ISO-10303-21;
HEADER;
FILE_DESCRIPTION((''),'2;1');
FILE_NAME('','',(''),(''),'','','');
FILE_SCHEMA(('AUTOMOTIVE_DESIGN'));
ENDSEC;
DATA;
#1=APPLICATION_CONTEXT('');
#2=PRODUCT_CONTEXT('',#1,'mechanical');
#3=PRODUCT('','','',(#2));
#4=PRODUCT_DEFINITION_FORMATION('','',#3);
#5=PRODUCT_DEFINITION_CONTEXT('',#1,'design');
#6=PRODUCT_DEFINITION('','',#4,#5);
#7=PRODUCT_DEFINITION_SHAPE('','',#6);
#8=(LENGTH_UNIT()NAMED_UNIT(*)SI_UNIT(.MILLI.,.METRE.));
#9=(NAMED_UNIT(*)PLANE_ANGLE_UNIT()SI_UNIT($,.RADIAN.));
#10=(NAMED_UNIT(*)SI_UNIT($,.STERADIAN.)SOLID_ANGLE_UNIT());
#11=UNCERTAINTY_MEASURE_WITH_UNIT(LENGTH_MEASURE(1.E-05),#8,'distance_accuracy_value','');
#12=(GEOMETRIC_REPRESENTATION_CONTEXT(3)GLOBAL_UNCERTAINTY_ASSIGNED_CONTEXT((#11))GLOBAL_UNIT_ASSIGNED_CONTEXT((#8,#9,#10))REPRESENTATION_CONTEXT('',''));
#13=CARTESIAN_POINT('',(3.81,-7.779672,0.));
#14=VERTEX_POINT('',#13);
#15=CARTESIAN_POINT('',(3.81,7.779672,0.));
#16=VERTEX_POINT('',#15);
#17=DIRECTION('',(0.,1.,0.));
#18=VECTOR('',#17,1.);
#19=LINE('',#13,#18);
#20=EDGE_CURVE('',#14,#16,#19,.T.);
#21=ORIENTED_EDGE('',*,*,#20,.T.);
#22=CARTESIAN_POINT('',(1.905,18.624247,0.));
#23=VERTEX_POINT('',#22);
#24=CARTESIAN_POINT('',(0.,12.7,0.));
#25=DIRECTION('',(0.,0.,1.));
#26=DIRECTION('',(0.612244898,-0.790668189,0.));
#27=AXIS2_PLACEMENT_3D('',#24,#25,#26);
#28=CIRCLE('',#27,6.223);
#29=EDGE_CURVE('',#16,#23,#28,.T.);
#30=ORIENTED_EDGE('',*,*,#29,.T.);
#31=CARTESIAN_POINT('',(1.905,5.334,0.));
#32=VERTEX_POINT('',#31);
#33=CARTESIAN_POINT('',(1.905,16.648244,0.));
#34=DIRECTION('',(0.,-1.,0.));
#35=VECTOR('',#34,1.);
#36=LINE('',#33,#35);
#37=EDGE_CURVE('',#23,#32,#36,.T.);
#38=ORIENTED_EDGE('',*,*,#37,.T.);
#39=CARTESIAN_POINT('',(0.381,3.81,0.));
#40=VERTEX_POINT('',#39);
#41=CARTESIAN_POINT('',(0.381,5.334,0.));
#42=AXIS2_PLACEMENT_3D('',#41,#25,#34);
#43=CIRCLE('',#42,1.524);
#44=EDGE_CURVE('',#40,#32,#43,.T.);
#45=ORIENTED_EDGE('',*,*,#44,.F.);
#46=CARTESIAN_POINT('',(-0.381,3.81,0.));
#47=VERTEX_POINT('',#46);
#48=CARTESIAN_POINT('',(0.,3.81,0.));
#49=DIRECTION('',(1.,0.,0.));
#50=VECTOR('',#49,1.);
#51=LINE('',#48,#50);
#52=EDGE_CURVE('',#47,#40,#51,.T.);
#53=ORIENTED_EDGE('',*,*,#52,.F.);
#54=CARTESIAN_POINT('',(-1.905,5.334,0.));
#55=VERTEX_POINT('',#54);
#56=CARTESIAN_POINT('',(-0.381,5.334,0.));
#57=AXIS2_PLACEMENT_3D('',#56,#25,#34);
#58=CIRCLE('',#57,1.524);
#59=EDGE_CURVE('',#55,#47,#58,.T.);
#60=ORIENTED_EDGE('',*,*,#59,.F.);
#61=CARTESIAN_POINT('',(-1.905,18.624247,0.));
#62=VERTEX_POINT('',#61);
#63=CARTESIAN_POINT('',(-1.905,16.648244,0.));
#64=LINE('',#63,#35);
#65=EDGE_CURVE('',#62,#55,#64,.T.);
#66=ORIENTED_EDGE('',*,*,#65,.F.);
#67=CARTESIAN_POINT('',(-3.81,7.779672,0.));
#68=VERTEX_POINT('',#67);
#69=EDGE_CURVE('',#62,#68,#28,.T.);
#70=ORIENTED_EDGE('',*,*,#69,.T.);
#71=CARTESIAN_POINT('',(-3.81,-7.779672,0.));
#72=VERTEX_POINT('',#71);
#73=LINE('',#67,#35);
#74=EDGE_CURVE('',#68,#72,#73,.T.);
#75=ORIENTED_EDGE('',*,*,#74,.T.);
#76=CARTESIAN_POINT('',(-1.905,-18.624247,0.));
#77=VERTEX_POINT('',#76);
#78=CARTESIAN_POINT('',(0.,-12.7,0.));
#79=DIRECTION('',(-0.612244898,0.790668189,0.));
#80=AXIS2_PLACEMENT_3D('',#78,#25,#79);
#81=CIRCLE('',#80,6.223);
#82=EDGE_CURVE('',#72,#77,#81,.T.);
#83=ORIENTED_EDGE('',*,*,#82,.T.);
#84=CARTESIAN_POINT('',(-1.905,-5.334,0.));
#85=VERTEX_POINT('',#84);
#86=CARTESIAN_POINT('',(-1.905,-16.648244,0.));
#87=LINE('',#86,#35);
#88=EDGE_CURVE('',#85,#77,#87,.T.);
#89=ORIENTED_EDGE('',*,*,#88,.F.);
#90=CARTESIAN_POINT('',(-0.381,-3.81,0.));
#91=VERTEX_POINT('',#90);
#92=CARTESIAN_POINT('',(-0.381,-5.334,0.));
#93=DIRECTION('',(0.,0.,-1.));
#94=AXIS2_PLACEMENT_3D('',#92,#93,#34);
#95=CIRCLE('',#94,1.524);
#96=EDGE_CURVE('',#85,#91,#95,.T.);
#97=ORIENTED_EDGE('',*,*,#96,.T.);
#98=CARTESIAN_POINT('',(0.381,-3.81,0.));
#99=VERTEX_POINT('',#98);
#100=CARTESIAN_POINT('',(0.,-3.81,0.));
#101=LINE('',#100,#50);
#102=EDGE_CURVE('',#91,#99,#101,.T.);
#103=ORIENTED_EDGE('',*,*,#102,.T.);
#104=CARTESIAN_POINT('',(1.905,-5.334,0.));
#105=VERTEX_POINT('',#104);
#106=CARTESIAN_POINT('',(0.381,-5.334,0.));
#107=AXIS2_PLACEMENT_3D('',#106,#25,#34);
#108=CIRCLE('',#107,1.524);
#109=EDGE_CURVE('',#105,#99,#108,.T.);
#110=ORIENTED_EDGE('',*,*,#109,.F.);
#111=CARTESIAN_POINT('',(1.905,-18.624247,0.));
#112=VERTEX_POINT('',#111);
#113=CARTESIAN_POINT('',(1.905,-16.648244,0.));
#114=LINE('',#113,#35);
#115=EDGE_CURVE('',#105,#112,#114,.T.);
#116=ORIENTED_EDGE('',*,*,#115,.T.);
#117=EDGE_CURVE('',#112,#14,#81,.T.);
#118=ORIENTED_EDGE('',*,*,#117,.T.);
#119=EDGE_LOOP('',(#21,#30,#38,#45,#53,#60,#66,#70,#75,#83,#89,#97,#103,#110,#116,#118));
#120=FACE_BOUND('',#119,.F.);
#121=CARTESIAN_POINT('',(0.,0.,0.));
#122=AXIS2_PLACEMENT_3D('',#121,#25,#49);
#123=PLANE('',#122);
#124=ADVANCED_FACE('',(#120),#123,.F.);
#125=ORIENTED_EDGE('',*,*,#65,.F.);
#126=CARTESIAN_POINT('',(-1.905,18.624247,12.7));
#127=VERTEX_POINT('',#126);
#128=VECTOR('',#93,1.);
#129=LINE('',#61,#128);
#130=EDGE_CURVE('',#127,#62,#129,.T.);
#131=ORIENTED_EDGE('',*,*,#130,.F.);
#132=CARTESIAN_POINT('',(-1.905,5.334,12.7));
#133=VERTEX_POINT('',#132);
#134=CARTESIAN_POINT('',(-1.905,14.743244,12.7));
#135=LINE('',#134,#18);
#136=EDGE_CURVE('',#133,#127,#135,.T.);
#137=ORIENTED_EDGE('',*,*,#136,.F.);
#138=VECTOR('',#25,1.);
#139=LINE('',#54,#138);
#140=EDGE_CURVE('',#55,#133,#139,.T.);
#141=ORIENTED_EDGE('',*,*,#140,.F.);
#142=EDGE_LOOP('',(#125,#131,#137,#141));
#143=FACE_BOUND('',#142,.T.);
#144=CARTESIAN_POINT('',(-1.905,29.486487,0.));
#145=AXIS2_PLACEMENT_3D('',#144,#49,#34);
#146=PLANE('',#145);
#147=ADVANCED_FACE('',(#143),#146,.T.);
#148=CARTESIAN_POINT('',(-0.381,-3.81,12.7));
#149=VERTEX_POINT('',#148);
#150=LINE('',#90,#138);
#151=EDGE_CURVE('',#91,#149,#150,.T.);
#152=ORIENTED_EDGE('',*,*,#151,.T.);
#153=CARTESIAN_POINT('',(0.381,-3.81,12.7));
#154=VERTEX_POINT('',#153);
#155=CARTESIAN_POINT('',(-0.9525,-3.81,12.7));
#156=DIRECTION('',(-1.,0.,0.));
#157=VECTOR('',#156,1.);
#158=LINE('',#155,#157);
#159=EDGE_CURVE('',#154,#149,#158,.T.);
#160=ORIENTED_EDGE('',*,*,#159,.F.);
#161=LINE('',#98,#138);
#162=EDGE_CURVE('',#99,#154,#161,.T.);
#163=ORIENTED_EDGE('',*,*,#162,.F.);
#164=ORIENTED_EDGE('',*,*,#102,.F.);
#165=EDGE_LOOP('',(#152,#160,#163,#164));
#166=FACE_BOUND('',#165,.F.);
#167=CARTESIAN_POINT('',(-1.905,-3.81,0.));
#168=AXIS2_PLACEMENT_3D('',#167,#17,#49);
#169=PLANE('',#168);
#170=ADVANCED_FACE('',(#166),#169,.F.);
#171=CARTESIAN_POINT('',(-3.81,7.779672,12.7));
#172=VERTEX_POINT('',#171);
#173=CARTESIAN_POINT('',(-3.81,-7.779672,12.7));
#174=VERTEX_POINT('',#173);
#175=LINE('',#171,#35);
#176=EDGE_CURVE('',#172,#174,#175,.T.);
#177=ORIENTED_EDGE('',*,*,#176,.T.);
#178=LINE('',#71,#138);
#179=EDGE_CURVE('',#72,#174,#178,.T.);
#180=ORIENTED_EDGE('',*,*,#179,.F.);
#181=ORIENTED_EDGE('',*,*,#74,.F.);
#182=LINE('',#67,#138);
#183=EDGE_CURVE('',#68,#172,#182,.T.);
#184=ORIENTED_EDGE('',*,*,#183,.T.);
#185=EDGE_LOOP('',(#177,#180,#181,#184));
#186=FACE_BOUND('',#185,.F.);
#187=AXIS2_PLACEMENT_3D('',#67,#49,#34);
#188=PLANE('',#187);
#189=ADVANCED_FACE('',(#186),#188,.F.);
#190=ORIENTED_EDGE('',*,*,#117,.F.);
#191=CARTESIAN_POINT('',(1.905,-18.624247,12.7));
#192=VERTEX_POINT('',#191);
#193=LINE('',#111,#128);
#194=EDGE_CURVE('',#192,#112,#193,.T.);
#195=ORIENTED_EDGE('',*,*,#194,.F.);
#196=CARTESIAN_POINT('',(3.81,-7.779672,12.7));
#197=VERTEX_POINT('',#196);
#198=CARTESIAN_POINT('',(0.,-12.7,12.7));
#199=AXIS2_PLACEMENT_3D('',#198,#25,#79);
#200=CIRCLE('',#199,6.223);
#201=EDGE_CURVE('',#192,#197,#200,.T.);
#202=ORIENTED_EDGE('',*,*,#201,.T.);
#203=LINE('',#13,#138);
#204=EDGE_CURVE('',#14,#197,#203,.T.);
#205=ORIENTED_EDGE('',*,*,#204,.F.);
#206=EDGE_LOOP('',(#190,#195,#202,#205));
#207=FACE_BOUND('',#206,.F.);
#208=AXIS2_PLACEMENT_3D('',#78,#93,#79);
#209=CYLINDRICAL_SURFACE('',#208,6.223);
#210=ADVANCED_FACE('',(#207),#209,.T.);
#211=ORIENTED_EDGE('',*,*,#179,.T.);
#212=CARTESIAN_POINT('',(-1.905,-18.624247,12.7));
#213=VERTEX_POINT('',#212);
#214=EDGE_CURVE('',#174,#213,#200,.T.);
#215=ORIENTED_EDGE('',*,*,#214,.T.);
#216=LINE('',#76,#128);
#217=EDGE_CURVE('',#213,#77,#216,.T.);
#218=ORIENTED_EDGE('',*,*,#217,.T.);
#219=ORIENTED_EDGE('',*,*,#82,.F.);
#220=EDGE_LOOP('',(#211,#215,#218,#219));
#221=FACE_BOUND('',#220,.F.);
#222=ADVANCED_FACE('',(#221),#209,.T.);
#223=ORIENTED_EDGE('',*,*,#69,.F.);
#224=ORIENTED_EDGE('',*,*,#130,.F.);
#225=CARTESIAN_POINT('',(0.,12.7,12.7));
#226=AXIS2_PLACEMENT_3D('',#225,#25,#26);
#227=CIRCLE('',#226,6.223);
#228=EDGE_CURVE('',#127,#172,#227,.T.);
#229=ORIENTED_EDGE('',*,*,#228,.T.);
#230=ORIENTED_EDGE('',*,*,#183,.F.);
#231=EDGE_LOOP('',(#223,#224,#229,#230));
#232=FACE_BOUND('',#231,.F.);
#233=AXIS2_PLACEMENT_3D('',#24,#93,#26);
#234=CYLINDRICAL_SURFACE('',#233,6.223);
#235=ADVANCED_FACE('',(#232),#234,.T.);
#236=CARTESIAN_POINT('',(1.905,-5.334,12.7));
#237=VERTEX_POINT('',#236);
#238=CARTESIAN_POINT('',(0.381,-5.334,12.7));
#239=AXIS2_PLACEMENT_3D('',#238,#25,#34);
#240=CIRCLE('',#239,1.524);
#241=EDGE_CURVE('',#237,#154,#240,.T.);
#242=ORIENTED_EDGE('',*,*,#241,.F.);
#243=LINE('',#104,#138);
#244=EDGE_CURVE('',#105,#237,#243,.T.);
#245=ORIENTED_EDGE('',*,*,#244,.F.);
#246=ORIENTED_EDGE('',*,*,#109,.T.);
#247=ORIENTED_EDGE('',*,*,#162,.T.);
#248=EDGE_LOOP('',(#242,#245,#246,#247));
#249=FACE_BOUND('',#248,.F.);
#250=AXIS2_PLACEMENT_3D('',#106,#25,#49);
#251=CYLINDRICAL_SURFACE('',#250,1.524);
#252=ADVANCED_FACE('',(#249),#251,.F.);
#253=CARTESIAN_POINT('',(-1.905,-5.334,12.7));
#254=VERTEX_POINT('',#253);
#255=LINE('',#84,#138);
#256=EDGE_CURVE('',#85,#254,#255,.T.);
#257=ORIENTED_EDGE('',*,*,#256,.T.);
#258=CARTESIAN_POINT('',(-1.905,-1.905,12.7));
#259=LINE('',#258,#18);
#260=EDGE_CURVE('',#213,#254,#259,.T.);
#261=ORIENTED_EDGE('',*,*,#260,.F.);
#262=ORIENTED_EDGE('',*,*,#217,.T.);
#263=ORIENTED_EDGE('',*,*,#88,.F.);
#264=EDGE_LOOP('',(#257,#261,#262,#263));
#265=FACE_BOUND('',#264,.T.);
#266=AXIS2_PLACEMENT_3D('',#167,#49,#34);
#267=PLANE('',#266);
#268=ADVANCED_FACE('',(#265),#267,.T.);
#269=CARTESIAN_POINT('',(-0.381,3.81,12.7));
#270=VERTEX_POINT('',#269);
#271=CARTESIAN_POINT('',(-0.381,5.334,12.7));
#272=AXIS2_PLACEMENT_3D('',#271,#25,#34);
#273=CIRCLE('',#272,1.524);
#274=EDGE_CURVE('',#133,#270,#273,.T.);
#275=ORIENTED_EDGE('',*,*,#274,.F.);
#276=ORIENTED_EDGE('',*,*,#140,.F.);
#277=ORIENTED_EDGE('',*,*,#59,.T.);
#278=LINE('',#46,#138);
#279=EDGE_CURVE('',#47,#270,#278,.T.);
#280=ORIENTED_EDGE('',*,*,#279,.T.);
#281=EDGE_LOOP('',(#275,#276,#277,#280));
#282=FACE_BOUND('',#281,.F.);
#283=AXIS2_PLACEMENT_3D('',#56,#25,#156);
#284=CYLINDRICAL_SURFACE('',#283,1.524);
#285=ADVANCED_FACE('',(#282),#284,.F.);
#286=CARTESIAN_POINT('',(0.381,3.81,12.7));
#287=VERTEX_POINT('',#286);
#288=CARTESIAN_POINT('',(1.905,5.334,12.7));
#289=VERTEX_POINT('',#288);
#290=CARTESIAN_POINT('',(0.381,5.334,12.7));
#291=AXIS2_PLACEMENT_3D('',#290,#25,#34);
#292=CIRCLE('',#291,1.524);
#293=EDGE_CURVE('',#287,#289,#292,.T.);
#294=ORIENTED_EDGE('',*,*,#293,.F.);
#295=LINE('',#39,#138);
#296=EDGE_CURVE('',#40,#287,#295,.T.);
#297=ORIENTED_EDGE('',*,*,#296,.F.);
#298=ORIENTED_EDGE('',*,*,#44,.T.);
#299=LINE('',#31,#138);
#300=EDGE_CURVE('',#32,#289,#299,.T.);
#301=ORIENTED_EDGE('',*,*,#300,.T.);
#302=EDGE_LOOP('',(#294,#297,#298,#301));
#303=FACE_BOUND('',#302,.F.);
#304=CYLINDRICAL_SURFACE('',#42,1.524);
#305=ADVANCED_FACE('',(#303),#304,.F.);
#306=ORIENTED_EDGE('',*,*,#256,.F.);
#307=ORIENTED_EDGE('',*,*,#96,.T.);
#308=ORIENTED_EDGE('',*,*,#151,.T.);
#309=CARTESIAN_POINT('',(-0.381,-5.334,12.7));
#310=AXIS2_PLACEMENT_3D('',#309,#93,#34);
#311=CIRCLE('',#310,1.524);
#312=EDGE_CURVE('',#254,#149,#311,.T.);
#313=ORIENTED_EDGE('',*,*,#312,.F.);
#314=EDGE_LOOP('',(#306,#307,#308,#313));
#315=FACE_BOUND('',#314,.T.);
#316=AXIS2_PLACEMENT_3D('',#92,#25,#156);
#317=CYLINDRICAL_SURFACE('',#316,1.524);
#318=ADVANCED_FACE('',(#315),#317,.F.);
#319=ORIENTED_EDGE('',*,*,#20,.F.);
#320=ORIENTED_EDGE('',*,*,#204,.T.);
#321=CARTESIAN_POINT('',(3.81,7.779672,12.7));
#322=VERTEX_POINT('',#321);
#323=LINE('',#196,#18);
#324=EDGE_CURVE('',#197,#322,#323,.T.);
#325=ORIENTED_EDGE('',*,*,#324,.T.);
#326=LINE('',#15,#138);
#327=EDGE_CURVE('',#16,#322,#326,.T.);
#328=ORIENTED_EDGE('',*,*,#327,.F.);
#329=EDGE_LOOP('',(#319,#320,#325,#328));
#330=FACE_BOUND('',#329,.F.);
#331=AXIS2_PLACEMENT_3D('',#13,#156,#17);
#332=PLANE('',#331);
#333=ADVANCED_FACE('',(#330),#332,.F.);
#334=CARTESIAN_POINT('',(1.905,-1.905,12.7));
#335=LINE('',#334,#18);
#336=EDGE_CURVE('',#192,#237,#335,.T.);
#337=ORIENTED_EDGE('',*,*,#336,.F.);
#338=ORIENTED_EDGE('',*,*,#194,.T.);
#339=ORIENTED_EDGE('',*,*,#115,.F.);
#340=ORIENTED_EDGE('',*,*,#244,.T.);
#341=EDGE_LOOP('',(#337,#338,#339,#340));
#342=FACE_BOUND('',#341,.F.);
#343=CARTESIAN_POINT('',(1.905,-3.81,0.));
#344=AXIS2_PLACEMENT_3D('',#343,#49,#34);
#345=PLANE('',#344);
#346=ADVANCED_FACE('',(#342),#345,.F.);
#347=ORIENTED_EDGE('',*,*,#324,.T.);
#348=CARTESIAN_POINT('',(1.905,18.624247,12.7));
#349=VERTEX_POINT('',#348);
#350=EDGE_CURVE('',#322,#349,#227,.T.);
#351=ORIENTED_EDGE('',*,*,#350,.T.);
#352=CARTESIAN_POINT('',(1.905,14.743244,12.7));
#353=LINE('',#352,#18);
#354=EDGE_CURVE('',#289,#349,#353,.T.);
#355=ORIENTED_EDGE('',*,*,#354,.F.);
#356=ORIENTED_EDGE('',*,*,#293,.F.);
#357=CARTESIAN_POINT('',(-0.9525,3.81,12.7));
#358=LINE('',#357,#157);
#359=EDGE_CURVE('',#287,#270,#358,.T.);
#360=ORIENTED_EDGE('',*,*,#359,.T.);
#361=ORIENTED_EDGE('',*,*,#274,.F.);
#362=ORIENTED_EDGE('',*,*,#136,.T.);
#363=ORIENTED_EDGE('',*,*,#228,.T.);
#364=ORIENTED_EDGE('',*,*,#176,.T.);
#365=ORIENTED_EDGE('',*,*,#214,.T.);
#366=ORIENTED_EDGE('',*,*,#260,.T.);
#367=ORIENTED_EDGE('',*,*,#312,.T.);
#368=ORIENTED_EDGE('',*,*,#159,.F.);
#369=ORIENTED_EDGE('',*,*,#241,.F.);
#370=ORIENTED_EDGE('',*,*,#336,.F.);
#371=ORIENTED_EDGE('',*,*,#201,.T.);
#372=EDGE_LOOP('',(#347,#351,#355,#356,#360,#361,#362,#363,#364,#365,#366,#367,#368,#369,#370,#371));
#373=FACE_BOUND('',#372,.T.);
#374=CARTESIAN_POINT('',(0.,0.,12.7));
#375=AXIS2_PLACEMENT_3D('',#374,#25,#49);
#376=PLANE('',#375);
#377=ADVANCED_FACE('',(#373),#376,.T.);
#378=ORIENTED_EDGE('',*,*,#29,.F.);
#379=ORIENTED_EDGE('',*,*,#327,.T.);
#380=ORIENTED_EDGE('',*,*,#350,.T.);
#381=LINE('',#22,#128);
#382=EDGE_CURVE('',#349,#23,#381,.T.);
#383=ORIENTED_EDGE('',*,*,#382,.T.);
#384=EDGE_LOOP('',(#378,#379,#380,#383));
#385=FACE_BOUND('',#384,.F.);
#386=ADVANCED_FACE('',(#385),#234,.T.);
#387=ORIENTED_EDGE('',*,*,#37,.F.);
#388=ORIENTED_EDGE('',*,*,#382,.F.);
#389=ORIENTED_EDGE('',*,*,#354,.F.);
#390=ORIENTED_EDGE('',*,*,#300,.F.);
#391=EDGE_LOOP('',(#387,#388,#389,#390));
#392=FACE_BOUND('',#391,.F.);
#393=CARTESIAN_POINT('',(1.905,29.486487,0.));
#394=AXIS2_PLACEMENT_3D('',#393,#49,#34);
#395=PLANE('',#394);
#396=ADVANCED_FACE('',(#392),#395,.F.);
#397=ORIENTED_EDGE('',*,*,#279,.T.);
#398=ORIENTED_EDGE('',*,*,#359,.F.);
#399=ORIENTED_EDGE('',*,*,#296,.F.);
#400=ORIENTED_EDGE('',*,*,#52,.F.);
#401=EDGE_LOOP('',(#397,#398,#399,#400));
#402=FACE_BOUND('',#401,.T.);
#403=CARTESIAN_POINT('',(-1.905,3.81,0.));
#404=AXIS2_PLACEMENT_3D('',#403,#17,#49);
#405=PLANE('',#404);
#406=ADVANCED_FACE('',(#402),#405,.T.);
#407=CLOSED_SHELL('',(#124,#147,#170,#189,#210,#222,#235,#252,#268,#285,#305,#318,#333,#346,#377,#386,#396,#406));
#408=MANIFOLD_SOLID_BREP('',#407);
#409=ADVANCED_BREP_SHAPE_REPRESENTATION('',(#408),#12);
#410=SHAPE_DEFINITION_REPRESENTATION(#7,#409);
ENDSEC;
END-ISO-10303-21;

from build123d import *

# Parameters (mm, degrees)
F1_DEPTH = 12.7
F2_W     = 3.81
F2_H     = 25.6764874435
F3_DEPTH = 25.4
F4_R     = 1.524


with BuildPart() as f1:
    # F0 (on Top) → F1 (new body)
    with BuildSketch(Plane.XY):
        with BuildLine():
            Line((-3.81, 7.7796718605), (-3.81, -7.7796718605))
            ThreePointArc((-3.81, -7.7796718605), (0, -18.923), (3.81, -7.7796718605))
            Line((3.81, -7.7796718605), (3.81, 7.7796718605))
            ThreePointArc((3.81, 7.7796718605), (0, 18.923), (-3.81, 7.7796718605))
        make_face()
    extrude(amount=F1_DEPTH)

    # F2 (on face) → F3 (cut)
    with BuildSketch(Plane(origin=(0, 0, 0), x_dir=(1, 0, 0), z_dir=(0, 0, -1))):
        with Locations((0, -16.6482437217)):
            Rectangle(F2_W, F2_H)
        with Locations((0, 16.6482437217)):
            Rectangle(F2_W, F2_H)
    extrude(amount=-F3_DEPTH, mode=Mode.SUBTRACT)

    # F4
    f4_edges = [f1.edges().sort_by_distance(p)[0] for p in [
        (1.905, 3.81, 6.35),
        (-1.905, 3.81, 6.35),
        (1.905, -3.81, 6.35),
        (-1.905, -3.81, 6.35),
    ]]
    fillet(f4_edges, radius=F4_R)


solid = f1.part
